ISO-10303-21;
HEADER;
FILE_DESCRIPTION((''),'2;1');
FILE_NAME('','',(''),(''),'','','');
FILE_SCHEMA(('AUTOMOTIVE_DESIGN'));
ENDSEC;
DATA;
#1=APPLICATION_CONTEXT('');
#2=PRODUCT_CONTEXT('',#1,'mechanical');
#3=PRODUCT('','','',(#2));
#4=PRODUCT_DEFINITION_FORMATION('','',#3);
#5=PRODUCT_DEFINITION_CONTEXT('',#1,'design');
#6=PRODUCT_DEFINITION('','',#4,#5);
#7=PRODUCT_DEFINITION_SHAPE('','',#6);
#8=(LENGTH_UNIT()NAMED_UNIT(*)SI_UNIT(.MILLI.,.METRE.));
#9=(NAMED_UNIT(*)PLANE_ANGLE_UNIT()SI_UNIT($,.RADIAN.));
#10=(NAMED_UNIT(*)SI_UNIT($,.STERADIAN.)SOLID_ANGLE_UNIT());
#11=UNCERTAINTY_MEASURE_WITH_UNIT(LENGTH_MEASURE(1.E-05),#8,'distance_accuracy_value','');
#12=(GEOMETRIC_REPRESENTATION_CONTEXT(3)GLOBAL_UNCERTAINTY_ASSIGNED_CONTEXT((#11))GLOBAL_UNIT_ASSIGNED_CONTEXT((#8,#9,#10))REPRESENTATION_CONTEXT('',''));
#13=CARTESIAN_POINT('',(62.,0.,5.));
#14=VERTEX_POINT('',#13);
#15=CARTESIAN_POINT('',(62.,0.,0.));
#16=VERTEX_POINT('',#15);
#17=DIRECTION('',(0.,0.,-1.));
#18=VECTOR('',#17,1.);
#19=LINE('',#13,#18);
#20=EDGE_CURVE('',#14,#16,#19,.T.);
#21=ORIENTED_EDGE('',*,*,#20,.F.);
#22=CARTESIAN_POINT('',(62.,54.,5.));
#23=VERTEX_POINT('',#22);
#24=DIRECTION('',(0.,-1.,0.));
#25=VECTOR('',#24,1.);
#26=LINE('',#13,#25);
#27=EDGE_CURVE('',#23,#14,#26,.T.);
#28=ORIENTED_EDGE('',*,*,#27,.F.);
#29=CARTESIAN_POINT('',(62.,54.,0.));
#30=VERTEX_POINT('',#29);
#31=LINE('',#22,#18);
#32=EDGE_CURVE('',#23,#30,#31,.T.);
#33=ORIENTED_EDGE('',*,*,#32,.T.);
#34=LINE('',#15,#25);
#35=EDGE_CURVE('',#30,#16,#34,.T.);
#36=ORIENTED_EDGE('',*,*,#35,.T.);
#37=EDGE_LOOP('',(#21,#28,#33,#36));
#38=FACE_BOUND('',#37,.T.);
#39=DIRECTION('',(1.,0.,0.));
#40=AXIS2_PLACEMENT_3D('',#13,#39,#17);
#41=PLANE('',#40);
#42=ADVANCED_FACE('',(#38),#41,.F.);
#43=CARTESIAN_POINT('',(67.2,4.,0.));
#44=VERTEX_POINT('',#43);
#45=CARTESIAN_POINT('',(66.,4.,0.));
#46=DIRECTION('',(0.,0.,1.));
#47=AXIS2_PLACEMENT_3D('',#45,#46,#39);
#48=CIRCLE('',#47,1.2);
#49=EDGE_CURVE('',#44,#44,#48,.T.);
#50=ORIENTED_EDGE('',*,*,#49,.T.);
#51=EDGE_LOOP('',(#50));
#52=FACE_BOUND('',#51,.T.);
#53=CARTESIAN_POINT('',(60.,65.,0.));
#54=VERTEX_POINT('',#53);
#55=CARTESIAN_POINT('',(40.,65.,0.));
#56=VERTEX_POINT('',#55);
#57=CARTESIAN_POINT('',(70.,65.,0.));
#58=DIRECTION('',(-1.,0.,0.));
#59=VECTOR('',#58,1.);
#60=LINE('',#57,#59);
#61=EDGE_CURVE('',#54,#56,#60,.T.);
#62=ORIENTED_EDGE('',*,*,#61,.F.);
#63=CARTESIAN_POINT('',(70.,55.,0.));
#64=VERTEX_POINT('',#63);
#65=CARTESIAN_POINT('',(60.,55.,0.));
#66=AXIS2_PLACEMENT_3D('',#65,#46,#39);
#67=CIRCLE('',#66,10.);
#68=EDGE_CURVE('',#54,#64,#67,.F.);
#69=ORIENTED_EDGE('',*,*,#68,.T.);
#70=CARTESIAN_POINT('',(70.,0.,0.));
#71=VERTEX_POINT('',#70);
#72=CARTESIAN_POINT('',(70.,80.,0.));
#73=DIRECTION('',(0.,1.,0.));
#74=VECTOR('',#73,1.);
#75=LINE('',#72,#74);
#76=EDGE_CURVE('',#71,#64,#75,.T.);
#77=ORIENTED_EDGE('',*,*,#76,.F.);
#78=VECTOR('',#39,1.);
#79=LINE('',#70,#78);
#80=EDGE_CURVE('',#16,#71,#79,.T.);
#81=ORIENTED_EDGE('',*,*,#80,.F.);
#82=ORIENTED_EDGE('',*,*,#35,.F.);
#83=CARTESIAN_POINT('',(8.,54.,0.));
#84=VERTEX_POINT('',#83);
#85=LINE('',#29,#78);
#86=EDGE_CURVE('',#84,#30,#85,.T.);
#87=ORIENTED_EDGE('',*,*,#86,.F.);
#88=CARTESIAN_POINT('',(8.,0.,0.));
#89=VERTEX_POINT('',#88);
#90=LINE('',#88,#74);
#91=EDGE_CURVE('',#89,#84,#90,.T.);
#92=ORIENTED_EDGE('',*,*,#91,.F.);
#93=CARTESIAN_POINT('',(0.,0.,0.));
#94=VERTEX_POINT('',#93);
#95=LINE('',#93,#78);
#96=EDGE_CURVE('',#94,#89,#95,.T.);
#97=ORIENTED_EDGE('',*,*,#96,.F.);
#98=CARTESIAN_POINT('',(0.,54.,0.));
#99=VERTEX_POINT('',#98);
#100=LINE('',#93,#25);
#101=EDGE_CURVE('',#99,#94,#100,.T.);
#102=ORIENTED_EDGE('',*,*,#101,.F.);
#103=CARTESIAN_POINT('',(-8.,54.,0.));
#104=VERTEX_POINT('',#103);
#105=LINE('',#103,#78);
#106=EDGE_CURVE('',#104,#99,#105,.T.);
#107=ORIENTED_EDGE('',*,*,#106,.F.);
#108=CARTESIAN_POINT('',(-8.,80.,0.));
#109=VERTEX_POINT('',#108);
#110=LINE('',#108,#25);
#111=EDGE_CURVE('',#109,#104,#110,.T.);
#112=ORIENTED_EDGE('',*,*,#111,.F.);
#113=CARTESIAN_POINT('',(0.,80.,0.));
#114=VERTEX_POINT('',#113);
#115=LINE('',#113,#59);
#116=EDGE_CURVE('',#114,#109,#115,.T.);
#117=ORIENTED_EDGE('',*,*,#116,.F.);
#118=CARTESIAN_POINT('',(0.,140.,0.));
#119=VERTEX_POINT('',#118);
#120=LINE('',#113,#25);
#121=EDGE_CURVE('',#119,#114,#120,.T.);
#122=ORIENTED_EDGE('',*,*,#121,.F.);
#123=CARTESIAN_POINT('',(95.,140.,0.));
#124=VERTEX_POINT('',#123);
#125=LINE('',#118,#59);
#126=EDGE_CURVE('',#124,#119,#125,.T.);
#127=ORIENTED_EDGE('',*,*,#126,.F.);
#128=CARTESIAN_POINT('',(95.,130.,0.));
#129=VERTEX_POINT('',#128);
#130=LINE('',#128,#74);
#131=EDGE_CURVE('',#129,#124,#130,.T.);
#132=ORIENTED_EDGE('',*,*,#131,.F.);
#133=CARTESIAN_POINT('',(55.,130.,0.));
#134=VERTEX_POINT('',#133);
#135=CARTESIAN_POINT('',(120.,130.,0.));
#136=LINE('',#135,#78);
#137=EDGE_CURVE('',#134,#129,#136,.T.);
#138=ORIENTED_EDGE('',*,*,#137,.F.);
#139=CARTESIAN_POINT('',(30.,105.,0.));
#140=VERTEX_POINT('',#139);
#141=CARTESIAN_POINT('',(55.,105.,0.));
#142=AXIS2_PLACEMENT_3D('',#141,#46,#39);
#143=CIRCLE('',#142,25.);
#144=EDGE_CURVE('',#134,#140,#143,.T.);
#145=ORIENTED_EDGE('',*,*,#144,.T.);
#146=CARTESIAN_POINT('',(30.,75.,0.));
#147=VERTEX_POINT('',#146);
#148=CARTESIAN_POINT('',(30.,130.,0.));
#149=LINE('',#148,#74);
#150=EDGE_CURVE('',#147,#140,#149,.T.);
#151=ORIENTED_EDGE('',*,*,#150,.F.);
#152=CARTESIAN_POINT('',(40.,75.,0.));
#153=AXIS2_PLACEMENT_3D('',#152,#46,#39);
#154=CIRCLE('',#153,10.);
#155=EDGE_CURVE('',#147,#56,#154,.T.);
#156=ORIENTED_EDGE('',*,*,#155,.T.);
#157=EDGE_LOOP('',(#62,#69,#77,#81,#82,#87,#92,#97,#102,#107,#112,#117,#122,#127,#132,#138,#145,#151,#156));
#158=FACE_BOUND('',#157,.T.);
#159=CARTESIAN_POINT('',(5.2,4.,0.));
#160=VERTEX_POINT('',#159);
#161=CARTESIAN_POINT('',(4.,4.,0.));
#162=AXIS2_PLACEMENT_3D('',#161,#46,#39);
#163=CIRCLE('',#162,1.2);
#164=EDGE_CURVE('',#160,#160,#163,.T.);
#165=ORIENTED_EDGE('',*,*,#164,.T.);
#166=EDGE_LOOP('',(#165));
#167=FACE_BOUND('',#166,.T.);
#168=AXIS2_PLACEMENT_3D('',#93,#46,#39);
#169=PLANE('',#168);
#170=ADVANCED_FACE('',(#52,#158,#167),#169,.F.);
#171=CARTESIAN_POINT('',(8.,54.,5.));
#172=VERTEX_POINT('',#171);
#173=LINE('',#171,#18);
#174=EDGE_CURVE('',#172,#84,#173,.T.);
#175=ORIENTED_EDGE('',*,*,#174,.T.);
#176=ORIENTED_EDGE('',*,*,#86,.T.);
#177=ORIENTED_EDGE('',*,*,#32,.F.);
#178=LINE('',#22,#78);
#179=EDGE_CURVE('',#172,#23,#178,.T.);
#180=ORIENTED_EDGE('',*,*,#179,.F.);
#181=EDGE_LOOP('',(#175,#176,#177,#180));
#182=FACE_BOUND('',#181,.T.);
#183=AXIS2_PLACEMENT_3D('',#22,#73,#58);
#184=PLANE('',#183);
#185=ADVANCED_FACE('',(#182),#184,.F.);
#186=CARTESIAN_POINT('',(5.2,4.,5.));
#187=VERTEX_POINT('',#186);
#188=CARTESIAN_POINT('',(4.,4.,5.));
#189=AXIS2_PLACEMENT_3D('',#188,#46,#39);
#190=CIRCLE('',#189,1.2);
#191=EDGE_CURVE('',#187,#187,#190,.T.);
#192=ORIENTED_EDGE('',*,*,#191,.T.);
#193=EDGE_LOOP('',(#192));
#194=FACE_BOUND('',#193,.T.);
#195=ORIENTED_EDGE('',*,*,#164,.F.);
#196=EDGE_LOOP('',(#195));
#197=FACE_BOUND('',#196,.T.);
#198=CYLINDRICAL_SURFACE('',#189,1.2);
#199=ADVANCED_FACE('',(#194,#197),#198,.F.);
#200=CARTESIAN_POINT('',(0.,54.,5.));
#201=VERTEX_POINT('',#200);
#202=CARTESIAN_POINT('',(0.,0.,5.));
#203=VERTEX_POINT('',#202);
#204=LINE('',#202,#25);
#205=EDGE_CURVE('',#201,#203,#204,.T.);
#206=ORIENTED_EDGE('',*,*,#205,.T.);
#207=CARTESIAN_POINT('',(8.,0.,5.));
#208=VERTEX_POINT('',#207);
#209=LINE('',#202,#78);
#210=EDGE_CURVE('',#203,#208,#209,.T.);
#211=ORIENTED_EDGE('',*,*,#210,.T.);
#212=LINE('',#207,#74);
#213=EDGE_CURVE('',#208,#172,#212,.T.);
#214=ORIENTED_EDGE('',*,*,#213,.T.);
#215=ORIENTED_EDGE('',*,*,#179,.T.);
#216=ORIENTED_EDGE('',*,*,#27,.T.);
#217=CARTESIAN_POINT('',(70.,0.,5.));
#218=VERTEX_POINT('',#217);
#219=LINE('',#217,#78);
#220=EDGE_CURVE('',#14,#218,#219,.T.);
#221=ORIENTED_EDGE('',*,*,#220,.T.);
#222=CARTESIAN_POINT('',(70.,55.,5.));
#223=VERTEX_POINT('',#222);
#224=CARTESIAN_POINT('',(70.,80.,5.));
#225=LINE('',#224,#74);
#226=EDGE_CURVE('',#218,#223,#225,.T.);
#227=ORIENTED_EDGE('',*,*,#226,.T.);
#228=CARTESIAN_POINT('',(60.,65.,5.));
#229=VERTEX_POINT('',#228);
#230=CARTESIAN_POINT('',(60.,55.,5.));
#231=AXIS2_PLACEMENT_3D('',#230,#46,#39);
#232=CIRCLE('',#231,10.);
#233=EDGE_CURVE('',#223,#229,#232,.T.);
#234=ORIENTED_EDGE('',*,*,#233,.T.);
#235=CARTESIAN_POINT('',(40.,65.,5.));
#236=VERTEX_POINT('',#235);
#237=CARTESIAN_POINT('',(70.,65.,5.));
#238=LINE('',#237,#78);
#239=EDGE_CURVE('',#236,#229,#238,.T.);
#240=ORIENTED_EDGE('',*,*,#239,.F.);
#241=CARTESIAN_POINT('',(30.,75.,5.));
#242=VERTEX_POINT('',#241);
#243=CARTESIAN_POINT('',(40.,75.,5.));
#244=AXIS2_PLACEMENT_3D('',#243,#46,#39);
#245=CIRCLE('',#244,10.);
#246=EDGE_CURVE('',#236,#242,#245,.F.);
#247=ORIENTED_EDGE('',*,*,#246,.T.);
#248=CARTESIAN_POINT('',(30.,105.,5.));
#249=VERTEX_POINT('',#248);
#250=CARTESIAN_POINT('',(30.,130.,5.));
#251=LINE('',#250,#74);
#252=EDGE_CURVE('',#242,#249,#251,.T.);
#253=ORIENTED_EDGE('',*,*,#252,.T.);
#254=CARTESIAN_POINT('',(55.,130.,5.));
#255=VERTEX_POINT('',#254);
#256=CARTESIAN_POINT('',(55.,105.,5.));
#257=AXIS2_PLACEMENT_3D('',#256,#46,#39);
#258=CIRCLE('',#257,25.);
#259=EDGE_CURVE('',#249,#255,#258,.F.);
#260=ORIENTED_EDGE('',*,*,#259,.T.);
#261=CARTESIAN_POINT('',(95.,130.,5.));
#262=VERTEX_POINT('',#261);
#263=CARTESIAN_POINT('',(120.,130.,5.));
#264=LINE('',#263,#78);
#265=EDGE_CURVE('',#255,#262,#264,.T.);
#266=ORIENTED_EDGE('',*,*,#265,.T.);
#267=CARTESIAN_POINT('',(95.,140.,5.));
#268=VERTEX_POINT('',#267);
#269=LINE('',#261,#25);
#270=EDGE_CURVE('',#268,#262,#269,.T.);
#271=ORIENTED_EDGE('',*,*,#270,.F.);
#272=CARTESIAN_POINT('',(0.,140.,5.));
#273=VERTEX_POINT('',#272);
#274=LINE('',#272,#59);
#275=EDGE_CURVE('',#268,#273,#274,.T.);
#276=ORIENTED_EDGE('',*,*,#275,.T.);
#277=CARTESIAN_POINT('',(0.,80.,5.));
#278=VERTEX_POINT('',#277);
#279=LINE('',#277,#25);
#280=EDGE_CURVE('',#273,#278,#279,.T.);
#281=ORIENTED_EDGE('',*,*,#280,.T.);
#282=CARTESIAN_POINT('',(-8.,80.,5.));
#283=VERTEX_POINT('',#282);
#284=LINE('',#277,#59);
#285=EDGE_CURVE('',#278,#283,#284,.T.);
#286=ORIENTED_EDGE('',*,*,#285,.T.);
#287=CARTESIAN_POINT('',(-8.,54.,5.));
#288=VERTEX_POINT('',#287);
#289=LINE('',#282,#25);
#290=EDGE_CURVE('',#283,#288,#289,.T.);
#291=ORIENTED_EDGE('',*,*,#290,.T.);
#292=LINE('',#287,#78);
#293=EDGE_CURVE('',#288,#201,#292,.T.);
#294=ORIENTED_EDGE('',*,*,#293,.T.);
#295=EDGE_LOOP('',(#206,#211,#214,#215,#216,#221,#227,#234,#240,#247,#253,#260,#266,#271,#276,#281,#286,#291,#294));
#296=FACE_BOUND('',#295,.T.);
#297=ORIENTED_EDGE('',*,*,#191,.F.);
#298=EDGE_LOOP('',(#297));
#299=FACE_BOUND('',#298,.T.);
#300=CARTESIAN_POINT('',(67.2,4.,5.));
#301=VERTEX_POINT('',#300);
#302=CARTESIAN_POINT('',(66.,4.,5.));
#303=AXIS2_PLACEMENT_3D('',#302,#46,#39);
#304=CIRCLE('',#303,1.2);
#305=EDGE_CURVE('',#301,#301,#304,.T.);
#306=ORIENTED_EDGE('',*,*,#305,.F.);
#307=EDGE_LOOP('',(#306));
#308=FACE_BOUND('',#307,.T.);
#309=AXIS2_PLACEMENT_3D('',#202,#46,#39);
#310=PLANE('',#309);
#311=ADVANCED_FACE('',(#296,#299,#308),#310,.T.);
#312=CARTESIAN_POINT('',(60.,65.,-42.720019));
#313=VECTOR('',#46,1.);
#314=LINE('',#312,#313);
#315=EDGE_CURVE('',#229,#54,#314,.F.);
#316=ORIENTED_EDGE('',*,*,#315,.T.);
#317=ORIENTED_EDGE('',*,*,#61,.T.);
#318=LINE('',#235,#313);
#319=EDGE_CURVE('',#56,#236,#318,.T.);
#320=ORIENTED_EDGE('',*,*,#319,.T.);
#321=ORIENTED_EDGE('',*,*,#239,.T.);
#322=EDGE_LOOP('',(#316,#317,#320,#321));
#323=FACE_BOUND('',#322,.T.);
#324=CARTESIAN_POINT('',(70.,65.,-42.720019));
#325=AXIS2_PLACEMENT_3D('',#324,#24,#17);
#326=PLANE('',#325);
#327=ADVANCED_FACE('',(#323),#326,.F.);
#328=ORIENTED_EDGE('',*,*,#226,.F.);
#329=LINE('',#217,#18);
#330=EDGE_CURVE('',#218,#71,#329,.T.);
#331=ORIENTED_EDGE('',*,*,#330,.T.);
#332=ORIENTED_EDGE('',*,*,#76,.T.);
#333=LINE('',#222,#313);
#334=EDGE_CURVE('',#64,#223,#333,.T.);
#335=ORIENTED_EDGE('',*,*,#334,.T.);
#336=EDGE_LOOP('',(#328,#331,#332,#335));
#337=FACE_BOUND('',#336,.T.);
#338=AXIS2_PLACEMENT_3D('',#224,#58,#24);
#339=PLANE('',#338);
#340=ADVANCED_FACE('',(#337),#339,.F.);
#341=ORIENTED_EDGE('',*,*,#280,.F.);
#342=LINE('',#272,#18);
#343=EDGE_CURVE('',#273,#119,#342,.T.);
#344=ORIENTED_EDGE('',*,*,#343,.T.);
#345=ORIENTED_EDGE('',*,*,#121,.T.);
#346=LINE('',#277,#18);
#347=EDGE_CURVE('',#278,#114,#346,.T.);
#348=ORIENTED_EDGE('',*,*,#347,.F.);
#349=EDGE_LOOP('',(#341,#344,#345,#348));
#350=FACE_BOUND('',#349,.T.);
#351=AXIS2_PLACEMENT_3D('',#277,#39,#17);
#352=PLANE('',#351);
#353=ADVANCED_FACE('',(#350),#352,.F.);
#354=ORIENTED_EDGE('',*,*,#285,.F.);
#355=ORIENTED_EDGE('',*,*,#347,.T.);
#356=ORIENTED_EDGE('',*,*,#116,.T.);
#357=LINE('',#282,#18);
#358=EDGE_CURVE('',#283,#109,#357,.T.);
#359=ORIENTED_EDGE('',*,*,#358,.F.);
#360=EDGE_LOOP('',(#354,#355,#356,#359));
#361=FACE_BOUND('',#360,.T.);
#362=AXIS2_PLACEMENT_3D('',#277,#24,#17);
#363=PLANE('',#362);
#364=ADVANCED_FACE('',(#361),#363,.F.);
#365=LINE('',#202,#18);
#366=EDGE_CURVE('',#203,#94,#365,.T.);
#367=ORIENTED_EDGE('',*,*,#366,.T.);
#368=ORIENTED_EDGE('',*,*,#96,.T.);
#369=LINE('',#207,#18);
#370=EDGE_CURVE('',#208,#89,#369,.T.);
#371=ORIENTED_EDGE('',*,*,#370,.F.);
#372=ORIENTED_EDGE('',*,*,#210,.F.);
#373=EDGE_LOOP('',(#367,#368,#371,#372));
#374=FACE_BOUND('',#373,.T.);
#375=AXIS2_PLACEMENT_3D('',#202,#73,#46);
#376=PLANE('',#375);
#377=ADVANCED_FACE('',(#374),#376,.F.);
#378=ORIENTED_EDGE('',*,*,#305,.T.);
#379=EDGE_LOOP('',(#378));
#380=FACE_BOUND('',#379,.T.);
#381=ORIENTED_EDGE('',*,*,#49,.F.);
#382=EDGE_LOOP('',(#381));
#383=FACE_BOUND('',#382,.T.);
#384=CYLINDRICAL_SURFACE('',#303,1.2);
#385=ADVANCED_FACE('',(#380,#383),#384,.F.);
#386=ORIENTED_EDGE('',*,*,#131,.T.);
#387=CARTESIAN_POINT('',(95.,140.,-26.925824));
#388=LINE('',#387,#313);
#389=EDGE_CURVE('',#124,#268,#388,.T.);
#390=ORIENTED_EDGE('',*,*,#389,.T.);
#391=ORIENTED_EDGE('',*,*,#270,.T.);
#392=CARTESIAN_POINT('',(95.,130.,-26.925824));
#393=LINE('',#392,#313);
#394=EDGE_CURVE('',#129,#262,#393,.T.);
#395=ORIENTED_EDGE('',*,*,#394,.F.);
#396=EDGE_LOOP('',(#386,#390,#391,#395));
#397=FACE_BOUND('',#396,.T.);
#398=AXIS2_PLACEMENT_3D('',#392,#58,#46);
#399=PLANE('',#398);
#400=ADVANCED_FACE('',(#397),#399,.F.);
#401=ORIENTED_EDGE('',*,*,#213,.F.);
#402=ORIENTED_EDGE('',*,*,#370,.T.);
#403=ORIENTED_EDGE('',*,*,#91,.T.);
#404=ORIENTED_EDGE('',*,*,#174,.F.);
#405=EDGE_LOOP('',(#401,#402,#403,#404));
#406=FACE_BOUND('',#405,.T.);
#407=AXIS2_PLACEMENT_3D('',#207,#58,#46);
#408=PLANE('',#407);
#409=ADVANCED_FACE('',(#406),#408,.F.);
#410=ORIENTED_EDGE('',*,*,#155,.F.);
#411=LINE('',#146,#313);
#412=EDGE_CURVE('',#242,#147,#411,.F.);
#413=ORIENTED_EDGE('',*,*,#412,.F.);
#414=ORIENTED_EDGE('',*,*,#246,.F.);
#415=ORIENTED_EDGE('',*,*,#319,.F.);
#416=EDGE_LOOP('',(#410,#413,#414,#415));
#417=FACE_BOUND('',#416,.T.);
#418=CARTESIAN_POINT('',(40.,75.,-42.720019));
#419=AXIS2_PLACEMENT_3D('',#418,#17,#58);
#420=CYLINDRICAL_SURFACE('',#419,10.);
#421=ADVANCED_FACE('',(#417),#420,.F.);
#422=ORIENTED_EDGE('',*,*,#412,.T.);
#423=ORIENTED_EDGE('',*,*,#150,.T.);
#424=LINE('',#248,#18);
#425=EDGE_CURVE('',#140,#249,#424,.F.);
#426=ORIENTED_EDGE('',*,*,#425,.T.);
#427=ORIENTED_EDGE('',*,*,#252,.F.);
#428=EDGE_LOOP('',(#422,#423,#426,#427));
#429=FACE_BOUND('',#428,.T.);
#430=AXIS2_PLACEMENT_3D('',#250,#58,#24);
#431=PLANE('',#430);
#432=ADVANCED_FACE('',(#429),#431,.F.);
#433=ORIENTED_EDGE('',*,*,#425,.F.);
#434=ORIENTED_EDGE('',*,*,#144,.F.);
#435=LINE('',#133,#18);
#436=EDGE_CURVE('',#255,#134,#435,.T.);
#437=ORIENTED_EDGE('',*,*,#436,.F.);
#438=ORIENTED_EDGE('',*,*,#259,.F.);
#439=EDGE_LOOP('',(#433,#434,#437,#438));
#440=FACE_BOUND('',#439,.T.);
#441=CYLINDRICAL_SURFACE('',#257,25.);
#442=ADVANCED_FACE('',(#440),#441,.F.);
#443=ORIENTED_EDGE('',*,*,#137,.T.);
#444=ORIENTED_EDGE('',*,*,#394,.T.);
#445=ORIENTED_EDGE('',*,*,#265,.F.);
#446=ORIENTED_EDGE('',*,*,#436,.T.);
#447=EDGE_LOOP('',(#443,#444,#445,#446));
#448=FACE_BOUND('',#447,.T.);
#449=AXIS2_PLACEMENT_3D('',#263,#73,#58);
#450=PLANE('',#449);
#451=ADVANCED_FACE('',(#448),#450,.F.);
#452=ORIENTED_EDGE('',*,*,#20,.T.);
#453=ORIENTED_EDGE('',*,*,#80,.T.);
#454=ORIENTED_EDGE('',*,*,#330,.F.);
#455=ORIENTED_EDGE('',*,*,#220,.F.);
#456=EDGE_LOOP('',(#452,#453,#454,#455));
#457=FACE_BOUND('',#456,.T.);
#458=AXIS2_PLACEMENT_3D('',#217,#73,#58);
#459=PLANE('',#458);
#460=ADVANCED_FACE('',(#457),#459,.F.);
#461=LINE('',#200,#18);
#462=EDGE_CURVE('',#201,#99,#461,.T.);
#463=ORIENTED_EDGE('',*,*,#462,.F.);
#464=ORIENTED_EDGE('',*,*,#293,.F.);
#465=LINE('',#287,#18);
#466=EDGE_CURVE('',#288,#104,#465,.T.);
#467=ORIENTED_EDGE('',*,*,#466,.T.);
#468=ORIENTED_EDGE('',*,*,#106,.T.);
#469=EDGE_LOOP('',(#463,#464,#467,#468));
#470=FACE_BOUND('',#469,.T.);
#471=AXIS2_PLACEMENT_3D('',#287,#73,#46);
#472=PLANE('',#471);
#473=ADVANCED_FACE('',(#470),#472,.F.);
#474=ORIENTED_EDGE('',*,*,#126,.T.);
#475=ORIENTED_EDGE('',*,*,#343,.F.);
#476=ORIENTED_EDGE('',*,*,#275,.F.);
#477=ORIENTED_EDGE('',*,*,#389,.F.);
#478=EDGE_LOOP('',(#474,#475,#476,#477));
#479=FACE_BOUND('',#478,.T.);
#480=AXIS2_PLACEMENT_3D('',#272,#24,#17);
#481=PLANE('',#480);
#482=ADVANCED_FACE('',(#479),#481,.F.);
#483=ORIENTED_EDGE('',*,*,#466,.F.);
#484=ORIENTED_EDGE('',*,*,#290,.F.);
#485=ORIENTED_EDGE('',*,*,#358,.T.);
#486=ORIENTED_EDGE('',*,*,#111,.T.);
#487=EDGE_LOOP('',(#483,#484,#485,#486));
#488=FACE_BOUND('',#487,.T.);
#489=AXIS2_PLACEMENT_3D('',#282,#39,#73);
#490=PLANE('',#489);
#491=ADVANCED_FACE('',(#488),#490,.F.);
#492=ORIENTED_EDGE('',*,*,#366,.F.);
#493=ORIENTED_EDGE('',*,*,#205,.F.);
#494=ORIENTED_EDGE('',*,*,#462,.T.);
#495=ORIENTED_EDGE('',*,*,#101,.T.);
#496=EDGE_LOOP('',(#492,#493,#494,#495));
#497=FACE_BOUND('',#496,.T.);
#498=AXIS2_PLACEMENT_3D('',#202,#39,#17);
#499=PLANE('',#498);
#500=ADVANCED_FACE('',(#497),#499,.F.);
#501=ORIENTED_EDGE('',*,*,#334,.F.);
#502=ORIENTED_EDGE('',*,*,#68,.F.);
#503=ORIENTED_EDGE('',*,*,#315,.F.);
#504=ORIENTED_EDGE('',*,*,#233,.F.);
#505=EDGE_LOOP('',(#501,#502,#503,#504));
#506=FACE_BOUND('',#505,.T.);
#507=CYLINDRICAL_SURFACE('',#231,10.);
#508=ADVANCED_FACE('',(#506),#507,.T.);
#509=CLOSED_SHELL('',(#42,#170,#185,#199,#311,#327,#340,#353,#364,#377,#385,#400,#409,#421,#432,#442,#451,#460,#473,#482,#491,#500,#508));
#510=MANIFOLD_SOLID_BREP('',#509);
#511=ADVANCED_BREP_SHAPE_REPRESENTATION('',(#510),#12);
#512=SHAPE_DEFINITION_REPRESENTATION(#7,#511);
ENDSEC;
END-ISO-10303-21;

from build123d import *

# Parameters (mm, degrees)
BOSS_EXTRU_1_DEPTH      = 5
CONG_2_R                = 25
ESQUISSE5_W             = 40
ESQUISSE5_H             = 15
ENL_V_MAT_EXTRU_1_DEPTH = 5
CONG_3_R                = 10
ESQUISSE2_R             = 1
ENL_V_MAT_EXTRU_5_DEPTH = 10
D_GAGEMENT_M21_D        = 2.4
ESQUISSE9_W             = 25
ESQUISSE9_H             = 10
ENL_V_MAT_EXTRU_6_DEPTH = 5


with BuildPart() as part:
    # Esquisse1 → Boss.-Extru.1 (new body)
    with BuildSketch(Plane.XY):
        Polygon((0, 0), (0, 54), (-8, 54), (-8, 80), (0, 80), (0, 140), (120, 140), (120, 130), (30, 130), (30, 80), (70, 80), (70, 0), (62, 0), (62, 54), (8, 54), (8, 0), align=None)
    extrude(amount=BOSS_EXTRU_1_DEPTH)

    # Congé2
    cong_2_edges = [part.edges().sort_by_distance(p)[0] for p in [
        (30, 130, 2.5),
    ]]
    fillet(cong_2_edges, radius=CONG_2_R)

    # Esquisse5 → Enlèv. mat.-Extru.1 (cut)
    with BuildSketch(Plane.XY.offset(5)):
        with Locations((50, 72.5)):
            Rectangle(ESQUISSE5_W, ESQUISSE5_H)
    extrude(amount=-ENL_V_MAT_EXTRU_1_DEPTH, mode=Mode.SUBTRACT)

    # Congé3
    cong_3_edges = [part.edges().sort_by_distance(p)[0] for p in [
        (70, 65, 2.5),
        (30, 65, 2.5),
    ]]
    fillet(cong_3_edges, radius=CONG_3_R)

    # Esquisse2 → Enlèv. mat.-Extru.5 (cut)
    with BuildSketch(Plane.XY.offset(5)):
        with Locations((4, 4)):
            Circle(ESQUISSE2_R)
        with Locations((66, 4)):
            Circle(ESQUISSE2_R)
    extrude(amount=-ENL_V_MAT_EXTRU_5_DEPTH, mode=Mode.SUBTRACT)

    # Dégagement M21 (through all)
    with Locations(Plane.XY.offset(5)):
        with Locations((4, 4), (66, 4)):
            Hole(D_GAGEMENT_M21_D / 2)

    # Esquisse9 → Enlèv. mat.-Extru.6 (cut)
    with BuildSketch(Plane.XY.offset(5)):
        with Locations((107.5, 135)):
            Rectangle(ESQUISSE9_W, ESQUISSE9_H)
    extrude(amount=-ENL_V_MAT_EXTRU_6_DEPTH, mode=Mode.SUBTRACT)


solid = part.part
